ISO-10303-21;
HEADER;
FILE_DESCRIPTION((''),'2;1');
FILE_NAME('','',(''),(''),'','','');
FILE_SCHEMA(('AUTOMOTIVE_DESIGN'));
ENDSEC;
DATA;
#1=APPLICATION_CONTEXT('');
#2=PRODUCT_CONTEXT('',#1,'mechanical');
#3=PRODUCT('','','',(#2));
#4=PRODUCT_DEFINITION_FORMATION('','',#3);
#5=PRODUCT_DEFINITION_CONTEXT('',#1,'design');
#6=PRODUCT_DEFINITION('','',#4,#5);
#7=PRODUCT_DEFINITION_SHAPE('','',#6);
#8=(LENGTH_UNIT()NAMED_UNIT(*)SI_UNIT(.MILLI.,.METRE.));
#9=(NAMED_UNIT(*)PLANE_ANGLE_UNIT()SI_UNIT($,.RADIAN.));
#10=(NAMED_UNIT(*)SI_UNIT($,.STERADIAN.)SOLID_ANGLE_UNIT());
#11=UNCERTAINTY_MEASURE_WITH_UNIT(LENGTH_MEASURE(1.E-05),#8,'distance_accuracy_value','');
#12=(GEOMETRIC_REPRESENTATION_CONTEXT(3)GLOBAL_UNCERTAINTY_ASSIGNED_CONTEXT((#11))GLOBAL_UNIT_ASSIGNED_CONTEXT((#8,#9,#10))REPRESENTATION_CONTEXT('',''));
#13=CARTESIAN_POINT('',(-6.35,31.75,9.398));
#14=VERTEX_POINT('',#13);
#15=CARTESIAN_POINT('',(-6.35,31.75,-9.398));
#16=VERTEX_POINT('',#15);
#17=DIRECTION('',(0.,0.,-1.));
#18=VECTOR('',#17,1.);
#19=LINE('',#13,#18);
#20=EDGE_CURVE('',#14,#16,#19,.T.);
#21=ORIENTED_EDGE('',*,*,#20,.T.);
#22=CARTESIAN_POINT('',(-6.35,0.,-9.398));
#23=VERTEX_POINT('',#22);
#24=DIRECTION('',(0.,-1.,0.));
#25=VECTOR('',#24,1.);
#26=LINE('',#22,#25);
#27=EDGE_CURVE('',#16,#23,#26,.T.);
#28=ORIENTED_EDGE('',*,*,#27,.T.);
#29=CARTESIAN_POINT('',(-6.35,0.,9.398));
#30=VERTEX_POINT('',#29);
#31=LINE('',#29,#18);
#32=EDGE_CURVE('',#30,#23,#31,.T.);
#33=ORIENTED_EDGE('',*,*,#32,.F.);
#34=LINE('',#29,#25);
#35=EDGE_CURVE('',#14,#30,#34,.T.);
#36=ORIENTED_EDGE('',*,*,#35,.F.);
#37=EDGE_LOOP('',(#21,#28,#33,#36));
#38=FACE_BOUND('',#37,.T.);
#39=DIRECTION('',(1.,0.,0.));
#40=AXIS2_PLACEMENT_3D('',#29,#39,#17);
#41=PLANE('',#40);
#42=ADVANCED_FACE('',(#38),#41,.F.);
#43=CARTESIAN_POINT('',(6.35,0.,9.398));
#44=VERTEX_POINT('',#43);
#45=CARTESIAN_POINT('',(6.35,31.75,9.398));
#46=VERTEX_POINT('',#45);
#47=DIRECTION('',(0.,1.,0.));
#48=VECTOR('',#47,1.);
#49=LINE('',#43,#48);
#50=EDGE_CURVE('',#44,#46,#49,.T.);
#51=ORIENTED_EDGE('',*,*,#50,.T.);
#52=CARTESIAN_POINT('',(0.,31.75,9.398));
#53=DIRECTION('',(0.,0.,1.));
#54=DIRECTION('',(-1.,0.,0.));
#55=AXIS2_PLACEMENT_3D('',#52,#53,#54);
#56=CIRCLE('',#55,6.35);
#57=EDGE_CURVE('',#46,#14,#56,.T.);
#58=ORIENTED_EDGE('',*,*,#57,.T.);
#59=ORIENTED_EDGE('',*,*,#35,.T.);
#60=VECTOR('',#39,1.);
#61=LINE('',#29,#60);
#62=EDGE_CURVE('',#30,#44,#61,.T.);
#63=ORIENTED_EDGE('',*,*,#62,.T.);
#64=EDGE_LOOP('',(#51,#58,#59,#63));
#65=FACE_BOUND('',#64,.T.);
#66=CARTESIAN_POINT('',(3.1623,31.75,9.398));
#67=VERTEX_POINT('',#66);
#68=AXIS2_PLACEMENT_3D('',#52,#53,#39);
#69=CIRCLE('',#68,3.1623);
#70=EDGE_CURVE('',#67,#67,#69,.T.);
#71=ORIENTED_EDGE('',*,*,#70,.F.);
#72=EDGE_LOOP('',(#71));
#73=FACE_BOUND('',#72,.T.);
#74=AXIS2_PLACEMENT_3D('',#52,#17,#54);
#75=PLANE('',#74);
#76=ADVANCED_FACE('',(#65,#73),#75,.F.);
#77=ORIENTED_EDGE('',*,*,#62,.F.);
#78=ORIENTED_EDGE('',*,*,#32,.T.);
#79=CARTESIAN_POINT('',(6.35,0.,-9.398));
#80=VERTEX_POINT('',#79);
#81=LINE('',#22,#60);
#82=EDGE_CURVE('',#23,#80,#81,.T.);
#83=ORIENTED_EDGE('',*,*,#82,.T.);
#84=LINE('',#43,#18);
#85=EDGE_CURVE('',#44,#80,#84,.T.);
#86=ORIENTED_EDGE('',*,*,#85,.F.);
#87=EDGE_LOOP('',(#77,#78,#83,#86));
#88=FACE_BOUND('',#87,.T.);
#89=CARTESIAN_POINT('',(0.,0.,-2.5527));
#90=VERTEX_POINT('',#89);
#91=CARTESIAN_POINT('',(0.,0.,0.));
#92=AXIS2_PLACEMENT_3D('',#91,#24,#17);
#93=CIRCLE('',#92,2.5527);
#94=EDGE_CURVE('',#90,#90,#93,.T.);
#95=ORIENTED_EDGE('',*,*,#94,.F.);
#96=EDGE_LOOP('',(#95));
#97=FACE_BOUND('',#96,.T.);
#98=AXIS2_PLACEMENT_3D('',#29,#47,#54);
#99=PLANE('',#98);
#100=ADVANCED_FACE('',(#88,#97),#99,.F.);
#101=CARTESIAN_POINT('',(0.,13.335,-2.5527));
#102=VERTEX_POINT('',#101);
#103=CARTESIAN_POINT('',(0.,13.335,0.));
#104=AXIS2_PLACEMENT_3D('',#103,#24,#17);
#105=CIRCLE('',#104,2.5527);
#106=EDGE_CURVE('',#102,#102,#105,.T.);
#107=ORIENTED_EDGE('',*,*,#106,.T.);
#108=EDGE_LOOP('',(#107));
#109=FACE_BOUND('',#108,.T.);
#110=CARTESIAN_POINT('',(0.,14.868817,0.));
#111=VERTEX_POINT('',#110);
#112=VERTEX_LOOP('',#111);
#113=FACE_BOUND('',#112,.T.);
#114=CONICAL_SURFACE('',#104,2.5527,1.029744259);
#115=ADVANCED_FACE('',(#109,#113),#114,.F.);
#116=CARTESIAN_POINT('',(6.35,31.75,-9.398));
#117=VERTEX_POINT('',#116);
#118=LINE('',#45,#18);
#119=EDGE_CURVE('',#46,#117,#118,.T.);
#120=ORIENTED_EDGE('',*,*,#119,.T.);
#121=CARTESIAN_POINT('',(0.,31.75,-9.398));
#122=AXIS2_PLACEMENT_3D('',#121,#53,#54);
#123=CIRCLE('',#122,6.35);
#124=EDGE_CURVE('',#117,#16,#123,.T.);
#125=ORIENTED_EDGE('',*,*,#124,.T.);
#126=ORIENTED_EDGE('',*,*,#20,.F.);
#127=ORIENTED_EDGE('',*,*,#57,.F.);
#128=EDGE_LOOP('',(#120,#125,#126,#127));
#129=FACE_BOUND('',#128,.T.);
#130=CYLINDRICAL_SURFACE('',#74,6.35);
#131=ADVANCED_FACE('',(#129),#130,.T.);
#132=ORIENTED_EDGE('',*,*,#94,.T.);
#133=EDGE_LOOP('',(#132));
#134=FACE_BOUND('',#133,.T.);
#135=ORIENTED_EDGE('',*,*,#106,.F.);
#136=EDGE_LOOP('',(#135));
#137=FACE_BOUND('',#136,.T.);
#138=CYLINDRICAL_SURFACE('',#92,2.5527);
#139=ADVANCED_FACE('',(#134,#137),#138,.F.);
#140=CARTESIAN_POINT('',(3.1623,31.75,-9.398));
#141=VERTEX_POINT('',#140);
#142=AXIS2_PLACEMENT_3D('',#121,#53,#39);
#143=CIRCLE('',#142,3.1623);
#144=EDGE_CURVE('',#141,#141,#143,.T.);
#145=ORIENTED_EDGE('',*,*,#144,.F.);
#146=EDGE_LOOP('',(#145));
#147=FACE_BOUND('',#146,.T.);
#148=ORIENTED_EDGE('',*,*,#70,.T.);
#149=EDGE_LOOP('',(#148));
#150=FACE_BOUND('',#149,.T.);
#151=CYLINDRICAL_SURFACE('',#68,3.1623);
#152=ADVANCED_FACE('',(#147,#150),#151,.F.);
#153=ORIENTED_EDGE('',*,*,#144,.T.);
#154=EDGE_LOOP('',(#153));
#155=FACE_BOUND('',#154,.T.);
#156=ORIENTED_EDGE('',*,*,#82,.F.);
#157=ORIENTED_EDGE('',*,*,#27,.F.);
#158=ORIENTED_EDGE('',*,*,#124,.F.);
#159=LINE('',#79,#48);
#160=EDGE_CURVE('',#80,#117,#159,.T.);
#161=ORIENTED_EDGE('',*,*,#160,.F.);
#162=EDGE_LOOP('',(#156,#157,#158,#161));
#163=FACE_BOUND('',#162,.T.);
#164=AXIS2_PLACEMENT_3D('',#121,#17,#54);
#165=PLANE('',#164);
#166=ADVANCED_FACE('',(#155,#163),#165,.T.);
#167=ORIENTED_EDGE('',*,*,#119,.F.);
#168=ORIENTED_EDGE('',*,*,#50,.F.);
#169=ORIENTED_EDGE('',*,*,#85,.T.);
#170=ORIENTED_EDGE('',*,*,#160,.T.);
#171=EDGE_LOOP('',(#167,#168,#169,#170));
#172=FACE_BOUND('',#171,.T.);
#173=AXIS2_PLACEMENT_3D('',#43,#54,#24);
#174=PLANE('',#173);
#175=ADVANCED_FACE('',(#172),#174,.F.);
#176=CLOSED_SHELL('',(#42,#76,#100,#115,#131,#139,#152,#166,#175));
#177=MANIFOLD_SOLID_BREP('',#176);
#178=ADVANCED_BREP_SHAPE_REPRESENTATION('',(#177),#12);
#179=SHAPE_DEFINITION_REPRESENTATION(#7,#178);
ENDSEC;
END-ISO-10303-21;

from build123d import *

# Parameters (mm, degrees)
BOSS_EXTRUDE1_DEPTH         = 9.398
F_1_4_0_249_DOWEL_HOLE1_D   = 6.3246
F_1_4_20_TAPPED_HOLE1_D     = 5.1054
F_1_4_20_TAPPED_HOLE1_DEPTH = 13.335
F_1_4_20_TAPPED_HOLE1_TIP   = 1.533816902


with BuildPart() as part:
    # Sketch2 → Boss-Extrude1 (new body, symmetric)
    with BuildSketch(Plane.XY):
        with BuildLine():
            Line((-6.35, 0), (6.35, 0))
            Line((6.35, 0), (6.35, 31.75))
            ThreePointArc((6.35, 31.75), (0, 38.1), (-6.35, 31.75))
            Line((-6.35, 31.75), (-6.35, 0))
        make_face()
    extrude(amount=BOSS_EXTRUDE1_DEPTH, both=True)

    # 1/4 (0.249) Dowel Hole1 (through all)
    with Locations(Plane.XY.offset(9.398)):
        with Locations((0, 31.75)):
            Hole(F_1_4_0_249_DOWEL_HOLE1_D / 2)

    # 1/4-20 Tapped Hole1
    with Locations(Plane(origin=(0, 0, 0), x_dir=(-1, 0, 0), z_dir=(0, -1, 0))):
        with Locations((0, 0)):
            Hole(F_1_4_20_TAPPED_HOLE1_D / 2, depth=F_1_4_20_TAPPED_HOLE1_DEPTH)
            with Locations((0, 0, -(F_1_4_20_TAPPED_HOLE1_DEPTH + F_1_4_20_TAPPED_HOLE1_TIP / 2))):  # 118° drill point
                Cone(0, F_1_4_20_TAPPED_HOLE1_D / 2, F_1_4_20_TAPPED_HOLE1_TIP, mode=Mode.SUBTRACT)


solid = part.part
